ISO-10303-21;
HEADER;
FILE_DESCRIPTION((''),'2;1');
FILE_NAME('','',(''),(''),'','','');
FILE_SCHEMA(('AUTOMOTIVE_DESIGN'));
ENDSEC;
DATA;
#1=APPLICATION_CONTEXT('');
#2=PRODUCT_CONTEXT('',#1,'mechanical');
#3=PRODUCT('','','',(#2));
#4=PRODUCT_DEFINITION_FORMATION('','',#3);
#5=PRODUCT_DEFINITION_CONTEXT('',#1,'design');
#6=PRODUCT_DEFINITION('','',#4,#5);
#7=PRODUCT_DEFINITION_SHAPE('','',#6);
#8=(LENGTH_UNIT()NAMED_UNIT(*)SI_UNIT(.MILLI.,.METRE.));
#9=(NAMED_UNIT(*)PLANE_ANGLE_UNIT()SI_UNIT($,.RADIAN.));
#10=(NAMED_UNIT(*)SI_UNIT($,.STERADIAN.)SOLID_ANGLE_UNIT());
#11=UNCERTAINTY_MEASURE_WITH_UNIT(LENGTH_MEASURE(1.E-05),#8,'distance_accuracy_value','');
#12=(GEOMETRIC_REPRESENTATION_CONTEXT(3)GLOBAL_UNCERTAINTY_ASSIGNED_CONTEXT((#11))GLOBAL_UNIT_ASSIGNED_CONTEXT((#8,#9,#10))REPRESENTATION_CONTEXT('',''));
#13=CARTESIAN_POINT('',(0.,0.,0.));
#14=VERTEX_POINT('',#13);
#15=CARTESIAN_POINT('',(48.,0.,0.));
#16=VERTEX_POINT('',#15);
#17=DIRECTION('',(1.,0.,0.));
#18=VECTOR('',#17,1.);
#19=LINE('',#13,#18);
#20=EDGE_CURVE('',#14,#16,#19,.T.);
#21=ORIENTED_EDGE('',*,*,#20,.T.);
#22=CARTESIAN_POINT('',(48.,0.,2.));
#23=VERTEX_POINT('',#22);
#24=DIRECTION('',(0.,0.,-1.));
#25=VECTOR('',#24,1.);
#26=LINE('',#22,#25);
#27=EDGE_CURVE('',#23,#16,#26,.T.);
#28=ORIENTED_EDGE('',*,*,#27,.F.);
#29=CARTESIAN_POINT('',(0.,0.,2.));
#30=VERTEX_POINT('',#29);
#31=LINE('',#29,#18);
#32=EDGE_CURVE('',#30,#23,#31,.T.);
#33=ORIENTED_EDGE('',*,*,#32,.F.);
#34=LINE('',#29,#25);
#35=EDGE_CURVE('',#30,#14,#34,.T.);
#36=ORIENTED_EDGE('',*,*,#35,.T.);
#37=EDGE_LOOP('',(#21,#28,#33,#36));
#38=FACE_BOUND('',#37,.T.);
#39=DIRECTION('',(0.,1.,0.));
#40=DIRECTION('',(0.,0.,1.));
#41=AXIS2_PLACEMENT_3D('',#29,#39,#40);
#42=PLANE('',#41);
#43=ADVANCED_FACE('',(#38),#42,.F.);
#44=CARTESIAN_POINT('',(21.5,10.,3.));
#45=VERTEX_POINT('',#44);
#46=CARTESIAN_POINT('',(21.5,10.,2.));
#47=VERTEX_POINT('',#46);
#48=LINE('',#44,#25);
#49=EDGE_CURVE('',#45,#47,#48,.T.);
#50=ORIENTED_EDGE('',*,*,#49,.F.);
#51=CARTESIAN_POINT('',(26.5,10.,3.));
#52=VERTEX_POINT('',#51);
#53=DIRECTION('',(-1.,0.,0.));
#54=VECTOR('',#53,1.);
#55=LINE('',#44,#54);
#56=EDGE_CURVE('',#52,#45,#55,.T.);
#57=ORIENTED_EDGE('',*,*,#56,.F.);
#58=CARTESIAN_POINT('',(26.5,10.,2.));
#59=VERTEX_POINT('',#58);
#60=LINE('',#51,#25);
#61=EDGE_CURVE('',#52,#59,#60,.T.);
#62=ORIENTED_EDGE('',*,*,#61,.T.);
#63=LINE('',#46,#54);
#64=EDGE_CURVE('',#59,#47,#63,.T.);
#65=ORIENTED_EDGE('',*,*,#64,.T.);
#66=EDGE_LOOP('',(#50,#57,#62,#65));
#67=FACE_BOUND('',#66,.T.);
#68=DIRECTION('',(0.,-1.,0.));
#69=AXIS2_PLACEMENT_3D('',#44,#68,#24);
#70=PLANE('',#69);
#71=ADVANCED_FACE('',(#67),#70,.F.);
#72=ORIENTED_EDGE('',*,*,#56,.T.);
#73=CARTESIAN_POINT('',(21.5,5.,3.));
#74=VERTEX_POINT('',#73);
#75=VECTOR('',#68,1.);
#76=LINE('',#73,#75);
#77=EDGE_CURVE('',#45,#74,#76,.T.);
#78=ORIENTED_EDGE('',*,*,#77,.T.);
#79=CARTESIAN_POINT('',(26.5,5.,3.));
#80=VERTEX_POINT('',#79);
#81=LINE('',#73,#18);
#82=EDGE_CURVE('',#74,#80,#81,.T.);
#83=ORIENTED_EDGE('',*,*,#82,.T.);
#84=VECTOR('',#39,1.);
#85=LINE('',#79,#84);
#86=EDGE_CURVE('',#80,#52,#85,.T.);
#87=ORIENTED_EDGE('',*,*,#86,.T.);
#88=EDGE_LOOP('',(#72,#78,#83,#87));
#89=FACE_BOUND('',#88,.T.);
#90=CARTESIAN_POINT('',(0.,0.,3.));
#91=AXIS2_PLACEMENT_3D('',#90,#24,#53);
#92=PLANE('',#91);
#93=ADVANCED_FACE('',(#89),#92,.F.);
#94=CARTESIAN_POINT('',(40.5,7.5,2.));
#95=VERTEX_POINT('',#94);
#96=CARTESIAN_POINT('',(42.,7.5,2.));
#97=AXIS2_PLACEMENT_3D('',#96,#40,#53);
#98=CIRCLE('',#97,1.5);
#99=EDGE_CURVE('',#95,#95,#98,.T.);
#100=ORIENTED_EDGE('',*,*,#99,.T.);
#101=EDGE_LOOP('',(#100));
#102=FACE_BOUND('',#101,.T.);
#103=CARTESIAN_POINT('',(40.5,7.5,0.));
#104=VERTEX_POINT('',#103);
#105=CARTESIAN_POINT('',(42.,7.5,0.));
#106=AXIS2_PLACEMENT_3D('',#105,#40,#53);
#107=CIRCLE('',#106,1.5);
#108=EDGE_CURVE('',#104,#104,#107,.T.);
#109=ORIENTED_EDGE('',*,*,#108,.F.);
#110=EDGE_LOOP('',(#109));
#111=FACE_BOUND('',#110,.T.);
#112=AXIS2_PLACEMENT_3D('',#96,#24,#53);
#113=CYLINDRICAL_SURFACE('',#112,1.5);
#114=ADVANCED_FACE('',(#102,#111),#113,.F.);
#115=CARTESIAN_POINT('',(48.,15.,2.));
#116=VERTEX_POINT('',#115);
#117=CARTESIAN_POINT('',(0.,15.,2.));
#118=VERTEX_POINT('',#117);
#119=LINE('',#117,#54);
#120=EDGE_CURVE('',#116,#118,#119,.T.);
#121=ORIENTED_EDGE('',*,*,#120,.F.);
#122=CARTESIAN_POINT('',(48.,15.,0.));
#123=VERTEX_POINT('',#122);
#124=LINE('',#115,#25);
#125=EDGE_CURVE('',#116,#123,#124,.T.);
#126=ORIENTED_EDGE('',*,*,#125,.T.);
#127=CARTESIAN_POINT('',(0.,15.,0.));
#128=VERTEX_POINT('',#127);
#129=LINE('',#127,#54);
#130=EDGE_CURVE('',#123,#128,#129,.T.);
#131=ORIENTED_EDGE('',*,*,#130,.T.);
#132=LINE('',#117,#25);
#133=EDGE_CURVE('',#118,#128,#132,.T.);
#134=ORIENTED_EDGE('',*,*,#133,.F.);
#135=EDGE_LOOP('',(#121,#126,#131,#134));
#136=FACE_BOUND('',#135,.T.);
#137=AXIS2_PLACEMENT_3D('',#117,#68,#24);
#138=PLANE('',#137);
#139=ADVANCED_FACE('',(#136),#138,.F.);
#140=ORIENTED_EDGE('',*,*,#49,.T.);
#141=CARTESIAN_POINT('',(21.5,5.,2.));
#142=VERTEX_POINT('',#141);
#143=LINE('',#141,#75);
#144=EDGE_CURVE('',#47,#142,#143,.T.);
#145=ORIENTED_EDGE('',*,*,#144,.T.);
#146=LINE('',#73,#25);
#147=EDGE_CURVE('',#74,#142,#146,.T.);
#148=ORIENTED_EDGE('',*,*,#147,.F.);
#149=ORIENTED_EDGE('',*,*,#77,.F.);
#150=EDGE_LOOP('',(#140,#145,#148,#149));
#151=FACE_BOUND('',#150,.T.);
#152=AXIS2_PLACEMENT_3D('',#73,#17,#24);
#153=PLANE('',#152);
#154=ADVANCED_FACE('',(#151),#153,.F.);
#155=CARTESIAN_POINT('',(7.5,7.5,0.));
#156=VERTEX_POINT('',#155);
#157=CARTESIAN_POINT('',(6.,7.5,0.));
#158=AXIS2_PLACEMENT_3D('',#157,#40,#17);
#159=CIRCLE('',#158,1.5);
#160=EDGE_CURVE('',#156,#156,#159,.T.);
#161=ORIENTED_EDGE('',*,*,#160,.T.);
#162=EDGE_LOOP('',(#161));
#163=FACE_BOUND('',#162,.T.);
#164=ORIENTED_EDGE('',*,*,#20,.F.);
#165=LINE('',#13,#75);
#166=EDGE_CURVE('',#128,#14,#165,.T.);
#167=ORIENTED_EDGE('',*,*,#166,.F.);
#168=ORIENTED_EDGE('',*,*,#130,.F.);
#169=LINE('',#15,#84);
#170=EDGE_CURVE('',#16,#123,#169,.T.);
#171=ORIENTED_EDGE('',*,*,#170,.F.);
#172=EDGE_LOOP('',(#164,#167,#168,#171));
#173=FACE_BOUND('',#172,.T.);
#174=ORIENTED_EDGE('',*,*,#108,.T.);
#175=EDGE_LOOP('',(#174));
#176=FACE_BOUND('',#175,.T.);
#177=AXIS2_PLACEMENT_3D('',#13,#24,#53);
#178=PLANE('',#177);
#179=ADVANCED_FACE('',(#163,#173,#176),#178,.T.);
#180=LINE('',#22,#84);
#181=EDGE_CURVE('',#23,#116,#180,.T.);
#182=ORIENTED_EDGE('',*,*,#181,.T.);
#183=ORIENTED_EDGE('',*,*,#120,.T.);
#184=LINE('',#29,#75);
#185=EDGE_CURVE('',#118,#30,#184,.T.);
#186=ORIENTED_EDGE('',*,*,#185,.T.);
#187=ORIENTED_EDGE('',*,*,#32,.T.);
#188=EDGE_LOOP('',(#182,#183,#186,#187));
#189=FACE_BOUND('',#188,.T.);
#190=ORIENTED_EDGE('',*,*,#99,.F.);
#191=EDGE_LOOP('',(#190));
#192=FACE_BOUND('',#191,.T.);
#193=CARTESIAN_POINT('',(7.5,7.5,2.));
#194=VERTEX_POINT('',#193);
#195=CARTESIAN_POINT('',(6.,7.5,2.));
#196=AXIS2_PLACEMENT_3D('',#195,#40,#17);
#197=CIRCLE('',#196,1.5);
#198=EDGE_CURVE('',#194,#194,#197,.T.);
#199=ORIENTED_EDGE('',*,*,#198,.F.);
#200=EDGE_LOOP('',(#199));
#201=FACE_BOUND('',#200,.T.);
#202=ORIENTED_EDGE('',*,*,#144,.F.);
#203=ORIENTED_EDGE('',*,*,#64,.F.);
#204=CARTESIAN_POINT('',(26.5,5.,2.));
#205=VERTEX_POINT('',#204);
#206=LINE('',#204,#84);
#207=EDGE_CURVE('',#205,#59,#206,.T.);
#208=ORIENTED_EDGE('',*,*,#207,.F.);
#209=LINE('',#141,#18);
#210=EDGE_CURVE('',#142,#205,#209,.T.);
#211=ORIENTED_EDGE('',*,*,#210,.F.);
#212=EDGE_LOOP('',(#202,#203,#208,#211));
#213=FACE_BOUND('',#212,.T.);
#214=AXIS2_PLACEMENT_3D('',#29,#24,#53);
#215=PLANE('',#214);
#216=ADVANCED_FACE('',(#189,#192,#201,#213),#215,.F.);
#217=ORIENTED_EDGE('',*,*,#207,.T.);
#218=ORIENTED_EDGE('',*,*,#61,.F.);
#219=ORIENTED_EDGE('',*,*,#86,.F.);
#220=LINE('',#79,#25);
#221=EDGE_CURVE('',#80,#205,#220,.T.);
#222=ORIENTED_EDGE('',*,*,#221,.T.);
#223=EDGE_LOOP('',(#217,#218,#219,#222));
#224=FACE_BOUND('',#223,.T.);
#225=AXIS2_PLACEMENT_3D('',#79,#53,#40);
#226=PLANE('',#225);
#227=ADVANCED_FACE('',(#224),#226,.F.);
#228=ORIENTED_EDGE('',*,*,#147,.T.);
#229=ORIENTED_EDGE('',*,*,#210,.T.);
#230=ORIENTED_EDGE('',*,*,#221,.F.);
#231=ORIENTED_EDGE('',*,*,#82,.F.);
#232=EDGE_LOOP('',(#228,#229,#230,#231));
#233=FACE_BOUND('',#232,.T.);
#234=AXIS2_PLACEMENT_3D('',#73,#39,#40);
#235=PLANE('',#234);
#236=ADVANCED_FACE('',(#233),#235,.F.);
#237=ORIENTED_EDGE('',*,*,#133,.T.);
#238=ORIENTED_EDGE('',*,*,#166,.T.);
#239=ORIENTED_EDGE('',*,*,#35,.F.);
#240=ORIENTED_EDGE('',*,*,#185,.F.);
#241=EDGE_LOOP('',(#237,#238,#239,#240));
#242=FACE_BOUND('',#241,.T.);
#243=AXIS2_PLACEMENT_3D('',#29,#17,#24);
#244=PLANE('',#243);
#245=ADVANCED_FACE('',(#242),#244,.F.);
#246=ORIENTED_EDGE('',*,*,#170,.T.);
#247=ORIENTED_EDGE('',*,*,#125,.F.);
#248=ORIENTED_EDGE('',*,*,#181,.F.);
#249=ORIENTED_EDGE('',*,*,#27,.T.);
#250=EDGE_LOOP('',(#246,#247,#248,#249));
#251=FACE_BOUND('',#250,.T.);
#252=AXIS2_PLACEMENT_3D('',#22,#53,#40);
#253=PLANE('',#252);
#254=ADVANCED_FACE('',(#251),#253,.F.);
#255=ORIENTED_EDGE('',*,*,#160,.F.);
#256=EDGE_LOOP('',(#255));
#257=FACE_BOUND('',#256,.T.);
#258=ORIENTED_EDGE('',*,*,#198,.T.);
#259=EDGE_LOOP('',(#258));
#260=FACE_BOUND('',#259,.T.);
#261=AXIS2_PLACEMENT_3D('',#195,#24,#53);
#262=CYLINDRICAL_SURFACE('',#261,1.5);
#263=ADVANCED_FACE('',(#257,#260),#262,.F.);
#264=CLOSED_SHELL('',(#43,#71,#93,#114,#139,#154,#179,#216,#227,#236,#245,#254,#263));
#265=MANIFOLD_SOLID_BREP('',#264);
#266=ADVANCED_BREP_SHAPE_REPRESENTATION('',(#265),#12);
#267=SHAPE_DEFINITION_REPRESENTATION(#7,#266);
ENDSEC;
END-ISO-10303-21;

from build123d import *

# Parameters (mm, degrees)
SKETCH1_W           = 48
SKETCH1_H           = 15
SKETCH1_R           = 1.5
BOSS_EXTRUDE1_DEPTH = 2
SKETCH2_W           = 5
SKETCH2_H           = 5
BOSS_EXTRUDE2_DEPTH = 1


with BuildPart() as part:
    # Sketch1 → Boss-Extrude1 (new body)
    with BuildSketch(Plane.XY):
        with Locations((24, 7.5)):
            Rectangle(SKETCH1_W, SKETCH1_H)
        with Locations((6, 7.5)):
            Circle(SKETCH1_R, mode=Mode.SUBTRACT)
        with Locations(Location((42, 7.5, 0), (0, 0, 180))):
            Circle(SKETCH1_R, mode=Mode.SUBTRACT)
    extrude(amount=BOSS_EXTRUDE1_DEPTH)

    # Sketch2 → Boss-Extrude2 (add)
    with BuildSketch(Plane.XY.offset(2)):
        with Locations((24, 7.5)):
            Rectangle(SKETCH2_W, SKETCH2_H)
    extrude(amount=BOSS_EXTRUDE2_DEPTH)


solid = part.part
